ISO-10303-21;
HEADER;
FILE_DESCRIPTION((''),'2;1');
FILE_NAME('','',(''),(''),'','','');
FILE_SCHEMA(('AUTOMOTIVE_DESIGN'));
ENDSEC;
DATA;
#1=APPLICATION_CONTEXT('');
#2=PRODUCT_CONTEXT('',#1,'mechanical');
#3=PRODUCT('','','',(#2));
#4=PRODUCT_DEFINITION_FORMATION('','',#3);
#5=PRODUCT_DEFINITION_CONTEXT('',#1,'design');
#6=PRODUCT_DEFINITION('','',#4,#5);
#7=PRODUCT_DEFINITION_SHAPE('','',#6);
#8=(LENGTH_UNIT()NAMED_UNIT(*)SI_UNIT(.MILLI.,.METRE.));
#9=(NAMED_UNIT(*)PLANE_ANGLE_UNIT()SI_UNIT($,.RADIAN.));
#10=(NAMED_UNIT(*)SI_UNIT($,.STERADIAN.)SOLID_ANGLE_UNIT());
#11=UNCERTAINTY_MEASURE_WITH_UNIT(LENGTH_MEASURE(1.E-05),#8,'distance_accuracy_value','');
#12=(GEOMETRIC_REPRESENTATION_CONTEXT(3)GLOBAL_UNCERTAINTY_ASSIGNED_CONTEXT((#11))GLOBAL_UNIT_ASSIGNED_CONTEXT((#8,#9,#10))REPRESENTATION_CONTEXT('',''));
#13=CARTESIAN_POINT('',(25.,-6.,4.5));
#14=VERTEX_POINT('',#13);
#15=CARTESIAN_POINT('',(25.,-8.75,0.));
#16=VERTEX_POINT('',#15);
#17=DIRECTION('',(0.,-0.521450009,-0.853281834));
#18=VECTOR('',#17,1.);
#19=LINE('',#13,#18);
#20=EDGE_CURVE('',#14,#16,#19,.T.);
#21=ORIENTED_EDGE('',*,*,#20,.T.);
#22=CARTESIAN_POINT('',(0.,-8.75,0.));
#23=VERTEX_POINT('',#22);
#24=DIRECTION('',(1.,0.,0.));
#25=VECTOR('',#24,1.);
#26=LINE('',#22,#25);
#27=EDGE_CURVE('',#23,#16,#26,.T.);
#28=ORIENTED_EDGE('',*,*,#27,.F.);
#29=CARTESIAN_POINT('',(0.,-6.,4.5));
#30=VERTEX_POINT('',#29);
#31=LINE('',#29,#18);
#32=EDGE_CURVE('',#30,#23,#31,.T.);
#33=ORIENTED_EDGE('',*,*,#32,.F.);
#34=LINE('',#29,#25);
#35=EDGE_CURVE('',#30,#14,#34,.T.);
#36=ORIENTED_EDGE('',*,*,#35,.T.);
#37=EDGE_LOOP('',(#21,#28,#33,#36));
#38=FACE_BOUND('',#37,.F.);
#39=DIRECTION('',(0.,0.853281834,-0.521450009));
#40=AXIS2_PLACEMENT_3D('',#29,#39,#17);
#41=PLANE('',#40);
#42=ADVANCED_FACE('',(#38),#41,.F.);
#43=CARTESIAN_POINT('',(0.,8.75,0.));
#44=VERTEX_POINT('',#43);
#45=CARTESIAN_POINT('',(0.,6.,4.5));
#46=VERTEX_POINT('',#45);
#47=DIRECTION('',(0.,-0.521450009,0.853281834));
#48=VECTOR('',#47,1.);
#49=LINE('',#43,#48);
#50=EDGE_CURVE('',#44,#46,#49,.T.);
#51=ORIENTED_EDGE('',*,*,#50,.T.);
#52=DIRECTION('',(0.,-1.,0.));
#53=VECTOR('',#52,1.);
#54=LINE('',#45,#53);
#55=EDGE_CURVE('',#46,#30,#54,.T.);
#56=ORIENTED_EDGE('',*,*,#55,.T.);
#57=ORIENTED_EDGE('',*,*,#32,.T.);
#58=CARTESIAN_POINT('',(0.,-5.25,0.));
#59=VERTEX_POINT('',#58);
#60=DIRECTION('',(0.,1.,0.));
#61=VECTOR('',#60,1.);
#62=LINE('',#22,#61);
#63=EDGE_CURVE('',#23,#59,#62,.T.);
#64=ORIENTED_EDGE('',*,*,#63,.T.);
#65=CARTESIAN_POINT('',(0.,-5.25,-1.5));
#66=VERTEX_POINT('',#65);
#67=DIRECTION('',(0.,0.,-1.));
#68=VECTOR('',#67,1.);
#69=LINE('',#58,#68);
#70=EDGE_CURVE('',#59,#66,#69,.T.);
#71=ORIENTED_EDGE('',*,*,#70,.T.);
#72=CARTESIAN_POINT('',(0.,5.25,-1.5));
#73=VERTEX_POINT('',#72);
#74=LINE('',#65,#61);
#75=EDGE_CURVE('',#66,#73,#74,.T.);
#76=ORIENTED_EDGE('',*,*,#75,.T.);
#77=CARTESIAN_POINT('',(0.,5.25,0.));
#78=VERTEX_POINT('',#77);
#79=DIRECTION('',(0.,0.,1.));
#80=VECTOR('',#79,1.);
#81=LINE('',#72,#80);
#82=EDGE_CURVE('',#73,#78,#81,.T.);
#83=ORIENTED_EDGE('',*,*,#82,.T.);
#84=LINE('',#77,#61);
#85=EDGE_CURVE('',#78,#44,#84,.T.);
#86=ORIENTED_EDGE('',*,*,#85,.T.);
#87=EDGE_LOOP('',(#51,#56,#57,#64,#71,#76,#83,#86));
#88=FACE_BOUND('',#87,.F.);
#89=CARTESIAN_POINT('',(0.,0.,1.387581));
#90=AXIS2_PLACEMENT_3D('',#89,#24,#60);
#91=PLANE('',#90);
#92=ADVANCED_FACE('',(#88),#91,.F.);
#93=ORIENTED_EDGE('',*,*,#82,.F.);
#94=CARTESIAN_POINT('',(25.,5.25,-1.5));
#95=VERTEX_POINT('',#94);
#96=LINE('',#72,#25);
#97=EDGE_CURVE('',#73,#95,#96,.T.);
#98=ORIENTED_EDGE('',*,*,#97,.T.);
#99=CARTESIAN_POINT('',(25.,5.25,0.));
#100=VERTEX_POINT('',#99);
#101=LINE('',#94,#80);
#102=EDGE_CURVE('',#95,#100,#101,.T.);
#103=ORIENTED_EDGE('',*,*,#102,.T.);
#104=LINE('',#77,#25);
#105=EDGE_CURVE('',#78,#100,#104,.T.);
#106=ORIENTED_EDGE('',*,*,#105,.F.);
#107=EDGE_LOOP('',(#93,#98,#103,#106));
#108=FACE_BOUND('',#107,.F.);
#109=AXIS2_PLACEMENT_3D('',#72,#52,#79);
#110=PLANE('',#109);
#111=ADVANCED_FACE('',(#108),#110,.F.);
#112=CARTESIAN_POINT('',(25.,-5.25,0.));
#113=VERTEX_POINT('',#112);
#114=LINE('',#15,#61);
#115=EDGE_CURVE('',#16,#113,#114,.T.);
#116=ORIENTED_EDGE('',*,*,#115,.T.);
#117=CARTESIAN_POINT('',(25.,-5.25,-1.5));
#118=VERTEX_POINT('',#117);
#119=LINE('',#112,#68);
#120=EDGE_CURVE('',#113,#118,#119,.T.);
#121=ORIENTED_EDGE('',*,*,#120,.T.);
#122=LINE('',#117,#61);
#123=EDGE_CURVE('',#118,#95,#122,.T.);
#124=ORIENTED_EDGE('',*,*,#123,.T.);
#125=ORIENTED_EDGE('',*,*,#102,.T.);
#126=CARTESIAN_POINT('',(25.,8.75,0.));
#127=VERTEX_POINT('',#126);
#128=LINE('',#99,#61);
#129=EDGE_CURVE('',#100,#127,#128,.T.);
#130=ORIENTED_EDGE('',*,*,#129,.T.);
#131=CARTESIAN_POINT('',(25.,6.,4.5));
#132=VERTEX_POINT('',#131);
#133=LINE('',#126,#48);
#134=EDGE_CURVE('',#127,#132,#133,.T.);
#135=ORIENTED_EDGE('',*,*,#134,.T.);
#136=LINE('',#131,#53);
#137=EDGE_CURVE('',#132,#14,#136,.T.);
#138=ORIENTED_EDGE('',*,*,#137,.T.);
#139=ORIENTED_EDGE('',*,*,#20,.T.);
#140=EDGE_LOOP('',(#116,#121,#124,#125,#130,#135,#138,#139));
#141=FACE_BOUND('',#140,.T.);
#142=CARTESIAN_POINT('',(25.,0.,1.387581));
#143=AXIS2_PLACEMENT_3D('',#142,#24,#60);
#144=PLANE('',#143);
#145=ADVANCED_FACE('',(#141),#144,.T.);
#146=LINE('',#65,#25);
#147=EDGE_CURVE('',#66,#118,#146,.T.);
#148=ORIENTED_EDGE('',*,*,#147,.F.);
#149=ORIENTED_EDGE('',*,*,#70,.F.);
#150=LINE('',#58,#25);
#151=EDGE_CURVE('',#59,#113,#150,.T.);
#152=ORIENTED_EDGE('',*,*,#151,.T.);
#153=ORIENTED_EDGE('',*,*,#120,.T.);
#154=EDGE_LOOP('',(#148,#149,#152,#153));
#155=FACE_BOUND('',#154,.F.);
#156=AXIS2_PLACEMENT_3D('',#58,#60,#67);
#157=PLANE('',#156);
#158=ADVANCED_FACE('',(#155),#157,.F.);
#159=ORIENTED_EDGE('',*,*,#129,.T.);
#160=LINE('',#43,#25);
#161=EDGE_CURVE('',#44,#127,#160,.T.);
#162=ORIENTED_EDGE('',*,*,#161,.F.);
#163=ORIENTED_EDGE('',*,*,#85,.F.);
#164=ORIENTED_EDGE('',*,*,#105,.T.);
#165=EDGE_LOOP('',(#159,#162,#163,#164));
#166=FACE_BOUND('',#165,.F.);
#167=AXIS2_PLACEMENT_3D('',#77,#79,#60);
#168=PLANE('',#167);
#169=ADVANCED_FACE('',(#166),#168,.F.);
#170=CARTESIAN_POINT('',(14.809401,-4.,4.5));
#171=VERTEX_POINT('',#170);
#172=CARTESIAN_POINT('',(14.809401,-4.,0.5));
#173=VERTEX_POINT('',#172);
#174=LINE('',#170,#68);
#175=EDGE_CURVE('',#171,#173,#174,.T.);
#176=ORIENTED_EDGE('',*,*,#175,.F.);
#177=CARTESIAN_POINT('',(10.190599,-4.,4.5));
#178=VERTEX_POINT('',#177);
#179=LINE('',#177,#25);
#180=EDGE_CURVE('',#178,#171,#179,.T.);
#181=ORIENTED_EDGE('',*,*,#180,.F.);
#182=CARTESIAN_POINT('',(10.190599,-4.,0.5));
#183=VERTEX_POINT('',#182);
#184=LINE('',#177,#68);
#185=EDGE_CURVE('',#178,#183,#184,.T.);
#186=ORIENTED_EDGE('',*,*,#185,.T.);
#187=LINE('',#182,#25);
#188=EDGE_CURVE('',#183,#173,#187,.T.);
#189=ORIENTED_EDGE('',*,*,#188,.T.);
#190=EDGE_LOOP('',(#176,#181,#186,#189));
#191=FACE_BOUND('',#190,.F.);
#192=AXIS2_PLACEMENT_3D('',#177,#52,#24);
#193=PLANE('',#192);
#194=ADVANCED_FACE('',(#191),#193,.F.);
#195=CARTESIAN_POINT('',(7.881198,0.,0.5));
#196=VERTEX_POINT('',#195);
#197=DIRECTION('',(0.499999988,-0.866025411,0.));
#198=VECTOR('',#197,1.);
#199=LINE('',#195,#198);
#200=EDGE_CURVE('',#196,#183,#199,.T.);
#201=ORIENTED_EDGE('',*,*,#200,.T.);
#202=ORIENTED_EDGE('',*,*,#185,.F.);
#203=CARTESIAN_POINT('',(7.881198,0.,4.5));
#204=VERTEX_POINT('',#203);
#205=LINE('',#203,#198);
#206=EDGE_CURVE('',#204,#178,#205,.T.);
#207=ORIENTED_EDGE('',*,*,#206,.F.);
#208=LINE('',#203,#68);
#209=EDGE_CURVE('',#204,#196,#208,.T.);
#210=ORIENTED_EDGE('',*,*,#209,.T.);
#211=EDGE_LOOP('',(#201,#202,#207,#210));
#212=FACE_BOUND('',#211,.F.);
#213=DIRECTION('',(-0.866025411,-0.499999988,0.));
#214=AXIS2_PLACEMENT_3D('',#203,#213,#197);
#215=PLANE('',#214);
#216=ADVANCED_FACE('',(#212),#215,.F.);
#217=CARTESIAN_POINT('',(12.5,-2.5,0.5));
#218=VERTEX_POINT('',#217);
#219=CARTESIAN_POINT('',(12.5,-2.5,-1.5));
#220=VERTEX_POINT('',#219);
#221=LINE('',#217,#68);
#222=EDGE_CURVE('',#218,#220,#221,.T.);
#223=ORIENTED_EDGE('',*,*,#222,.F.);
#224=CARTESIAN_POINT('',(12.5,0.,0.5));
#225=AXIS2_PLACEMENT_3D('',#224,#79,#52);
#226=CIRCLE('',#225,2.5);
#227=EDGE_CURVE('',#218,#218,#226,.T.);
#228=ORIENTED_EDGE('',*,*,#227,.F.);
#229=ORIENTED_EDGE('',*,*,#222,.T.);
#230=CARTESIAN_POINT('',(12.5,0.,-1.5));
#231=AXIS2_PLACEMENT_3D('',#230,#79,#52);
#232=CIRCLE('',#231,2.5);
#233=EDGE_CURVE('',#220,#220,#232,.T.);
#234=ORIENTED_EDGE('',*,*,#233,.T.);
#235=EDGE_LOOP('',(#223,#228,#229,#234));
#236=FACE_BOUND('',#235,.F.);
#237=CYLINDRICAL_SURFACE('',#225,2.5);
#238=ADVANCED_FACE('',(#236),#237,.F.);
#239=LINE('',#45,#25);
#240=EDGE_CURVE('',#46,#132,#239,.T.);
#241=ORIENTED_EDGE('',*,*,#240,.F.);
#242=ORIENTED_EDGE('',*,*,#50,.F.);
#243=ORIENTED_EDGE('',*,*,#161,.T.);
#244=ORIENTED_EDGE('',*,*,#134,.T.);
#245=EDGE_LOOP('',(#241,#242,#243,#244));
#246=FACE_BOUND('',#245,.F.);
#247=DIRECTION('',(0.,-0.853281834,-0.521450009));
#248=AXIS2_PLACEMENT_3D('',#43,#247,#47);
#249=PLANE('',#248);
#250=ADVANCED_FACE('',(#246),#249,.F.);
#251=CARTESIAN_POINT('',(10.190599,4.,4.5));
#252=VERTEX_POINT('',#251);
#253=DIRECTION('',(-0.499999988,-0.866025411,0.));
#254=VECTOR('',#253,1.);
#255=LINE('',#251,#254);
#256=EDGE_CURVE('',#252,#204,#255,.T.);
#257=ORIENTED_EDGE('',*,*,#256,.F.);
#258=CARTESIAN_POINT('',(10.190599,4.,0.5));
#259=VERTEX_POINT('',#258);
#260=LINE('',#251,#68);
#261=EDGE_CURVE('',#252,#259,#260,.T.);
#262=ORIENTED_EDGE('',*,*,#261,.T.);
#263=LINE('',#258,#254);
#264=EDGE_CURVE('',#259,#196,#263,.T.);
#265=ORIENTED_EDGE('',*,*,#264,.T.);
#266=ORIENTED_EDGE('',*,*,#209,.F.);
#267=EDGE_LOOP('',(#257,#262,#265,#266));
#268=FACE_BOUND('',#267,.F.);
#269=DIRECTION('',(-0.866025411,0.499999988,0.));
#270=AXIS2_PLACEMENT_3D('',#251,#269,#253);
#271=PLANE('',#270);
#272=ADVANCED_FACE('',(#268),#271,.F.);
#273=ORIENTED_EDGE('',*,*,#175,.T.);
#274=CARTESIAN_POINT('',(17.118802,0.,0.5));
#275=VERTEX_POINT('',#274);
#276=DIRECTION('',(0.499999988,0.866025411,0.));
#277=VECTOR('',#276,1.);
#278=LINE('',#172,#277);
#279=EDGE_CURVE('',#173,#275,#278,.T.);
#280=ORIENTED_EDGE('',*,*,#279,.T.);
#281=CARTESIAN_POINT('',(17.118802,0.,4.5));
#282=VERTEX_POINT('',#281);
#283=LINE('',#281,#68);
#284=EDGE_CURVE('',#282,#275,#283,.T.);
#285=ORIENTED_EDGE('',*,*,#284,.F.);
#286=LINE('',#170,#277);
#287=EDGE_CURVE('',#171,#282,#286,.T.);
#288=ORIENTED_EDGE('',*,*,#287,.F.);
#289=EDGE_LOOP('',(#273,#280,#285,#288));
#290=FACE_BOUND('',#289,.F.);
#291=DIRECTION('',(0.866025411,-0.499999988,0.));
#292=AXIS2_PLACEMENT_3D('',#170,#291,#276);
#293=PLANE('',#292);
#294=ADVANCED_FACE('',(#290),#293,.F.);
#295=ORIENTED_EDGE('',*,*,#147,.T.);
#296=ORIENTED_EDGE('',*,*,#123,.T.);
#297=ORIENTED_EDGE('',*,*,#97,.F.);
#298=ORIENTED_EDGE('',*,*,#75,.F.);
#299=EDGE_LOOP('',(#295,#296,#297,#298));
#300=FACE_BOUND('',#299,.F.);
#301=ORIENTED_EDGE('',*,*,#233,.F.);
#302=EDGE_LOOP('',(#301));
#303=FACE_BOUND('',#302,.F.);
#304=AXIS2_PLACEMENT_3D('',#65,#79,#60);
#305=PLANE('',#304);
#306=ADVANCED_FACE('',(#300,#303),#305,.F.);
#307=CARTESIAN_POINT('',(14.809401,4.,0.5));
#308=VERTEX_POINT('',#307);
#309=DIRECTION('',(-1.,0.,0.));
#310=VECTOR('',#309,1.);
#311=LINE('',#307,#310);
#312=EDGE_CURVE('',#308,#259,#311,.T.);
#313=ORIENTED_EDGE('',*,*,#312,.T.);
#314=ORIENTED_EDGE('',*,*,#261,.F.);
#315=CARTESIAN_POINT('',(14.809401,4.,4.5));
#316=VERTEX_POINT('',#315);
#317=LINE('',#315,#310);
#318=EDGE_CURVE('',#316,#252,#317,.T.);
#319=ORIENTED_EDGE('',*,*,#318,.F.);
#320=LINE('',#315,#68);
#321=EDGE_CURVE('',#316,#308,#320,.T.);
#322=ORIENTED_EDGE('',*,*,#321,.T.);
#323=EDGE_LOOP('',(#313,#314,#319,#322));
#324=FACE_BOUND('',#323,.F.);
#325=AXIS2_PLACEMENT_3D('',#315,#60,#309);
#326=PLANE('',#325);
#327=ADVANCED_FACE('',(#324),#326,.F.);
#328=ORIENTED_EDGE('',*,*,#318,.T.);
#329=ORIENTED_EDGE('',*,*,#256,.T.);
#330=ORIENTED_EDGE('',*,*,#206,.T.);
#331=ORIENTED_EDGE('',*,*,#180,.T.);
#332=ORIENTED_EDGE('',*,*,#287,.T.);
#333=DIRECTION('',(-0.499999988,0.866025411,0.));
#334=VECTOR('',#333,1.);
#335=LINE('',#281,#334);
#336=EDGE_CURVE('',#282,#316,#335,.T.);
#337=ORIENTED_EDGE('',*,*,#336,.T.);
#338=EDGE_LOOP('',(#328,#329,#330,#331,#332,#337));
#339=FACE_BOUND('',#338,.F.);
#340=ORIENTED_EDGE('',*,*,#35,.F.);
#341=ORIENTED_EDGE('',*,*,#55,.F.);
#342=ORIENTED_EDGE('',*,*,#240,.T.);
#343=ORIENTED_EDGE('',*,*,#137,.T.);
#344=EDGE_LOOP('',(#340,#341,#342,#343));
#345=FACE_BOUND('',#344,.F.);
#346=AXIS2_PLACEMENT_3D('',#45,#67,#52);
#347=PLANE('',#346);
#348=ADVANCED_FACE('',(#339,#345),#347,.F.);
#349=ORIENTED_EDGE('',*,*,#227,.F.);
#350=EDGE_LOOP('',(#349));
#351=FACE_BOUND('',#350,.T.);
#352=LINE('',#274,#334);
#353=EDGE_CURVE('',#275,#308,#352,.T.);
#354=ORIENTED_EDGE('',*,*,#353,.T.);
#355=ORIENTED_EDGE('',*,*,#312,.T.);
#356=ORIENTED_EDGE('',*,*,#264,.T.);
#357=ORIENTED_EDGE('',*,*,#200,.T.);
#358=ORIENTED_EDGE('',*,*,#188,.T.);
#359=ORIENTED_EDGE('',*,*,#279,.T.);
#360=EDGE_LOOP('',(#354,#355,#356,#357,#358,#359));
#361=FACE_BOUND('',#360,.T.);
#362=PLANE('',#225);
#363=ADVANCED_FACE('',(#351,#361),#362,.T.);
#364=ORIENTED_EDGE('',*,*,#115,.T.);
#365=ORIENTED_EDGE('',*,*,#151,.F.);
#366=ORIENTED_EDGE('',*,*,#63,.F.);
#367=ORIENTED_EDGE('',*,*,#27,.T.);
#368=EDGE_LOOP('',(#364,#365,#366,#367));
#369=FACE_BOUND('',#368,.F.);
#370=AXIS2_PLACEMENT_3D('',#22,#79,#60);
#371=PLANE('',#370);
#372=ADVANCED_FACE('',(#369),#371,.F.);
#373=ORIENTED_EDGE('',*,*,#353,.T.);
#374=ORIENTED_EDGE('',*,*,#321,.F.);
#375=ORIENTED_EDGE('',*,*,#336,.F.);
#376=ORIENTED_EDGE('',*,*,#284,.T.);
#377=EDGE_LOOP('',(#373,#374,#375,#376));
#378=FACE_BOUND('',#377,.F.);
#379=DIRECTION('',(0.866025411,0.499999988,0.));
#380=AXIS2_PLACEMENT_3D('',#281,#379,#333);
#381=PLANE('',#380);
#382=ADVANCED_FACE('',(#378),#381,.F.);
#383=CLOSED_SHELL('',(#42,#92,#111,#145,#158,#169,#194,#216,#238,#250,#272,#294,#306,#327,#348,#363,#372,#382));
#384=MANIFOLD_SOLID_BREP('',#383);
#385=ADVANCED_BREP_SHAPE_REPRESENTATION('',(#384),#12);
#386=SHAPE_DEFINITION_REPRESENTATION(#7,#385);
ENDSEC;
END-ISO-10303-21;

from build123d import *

# Parameters (mm, degrees)
PAD_DEPTH       = 25
POCKET_DEPTH    = 4
SKETCH002_R     = 2.5
POCKET001_DEPTH = 2.001


with BuildPart() as part:
    # Sketch → Pad (new body)
    with BuildSketch(Plane.YZ):
        Polygon((-5.25, -1.5), (5.25, -1.5), (5.25, 0), (8.75, 0), (6, 4.5), (-6, 4.5), (-8.75, 0), (-5.25, 0), align=None)
    extrude(amount=PAD_DEPTH)

    # Sketch001 (on Face5 of Pad) → Pocket (cut)
    with BuildSketch(Plane(origin=(0, 0, 4.5), x_dir=(0, -1, 0), z_dir=(0, 0, 1))):
        Polygon((4, 10.190599), (4, 14.809401), (0, 17.118802), (-4, 14.809401), (-4, 10.190599), (0, 7.881198), align=None)
    extrude(amount=-POCKET_DEPTH, mode=Mode.SUBTRACT)

    # Sketch002 (on Face17 of Pocket) → Pocket001 (cut, through all)
    with BuildSketch(Plane(origin=(0, 0, 0.5), x_dir=(0, -1, 0), z_dir=(0, 0, 1))):
        with Locations((0, 12.5)):
            Circle(SKETCH002_R)
    extrude(amount=-POCKET001_DEPTH, mode=Mode.SUBTRACT)


solid = part.part
